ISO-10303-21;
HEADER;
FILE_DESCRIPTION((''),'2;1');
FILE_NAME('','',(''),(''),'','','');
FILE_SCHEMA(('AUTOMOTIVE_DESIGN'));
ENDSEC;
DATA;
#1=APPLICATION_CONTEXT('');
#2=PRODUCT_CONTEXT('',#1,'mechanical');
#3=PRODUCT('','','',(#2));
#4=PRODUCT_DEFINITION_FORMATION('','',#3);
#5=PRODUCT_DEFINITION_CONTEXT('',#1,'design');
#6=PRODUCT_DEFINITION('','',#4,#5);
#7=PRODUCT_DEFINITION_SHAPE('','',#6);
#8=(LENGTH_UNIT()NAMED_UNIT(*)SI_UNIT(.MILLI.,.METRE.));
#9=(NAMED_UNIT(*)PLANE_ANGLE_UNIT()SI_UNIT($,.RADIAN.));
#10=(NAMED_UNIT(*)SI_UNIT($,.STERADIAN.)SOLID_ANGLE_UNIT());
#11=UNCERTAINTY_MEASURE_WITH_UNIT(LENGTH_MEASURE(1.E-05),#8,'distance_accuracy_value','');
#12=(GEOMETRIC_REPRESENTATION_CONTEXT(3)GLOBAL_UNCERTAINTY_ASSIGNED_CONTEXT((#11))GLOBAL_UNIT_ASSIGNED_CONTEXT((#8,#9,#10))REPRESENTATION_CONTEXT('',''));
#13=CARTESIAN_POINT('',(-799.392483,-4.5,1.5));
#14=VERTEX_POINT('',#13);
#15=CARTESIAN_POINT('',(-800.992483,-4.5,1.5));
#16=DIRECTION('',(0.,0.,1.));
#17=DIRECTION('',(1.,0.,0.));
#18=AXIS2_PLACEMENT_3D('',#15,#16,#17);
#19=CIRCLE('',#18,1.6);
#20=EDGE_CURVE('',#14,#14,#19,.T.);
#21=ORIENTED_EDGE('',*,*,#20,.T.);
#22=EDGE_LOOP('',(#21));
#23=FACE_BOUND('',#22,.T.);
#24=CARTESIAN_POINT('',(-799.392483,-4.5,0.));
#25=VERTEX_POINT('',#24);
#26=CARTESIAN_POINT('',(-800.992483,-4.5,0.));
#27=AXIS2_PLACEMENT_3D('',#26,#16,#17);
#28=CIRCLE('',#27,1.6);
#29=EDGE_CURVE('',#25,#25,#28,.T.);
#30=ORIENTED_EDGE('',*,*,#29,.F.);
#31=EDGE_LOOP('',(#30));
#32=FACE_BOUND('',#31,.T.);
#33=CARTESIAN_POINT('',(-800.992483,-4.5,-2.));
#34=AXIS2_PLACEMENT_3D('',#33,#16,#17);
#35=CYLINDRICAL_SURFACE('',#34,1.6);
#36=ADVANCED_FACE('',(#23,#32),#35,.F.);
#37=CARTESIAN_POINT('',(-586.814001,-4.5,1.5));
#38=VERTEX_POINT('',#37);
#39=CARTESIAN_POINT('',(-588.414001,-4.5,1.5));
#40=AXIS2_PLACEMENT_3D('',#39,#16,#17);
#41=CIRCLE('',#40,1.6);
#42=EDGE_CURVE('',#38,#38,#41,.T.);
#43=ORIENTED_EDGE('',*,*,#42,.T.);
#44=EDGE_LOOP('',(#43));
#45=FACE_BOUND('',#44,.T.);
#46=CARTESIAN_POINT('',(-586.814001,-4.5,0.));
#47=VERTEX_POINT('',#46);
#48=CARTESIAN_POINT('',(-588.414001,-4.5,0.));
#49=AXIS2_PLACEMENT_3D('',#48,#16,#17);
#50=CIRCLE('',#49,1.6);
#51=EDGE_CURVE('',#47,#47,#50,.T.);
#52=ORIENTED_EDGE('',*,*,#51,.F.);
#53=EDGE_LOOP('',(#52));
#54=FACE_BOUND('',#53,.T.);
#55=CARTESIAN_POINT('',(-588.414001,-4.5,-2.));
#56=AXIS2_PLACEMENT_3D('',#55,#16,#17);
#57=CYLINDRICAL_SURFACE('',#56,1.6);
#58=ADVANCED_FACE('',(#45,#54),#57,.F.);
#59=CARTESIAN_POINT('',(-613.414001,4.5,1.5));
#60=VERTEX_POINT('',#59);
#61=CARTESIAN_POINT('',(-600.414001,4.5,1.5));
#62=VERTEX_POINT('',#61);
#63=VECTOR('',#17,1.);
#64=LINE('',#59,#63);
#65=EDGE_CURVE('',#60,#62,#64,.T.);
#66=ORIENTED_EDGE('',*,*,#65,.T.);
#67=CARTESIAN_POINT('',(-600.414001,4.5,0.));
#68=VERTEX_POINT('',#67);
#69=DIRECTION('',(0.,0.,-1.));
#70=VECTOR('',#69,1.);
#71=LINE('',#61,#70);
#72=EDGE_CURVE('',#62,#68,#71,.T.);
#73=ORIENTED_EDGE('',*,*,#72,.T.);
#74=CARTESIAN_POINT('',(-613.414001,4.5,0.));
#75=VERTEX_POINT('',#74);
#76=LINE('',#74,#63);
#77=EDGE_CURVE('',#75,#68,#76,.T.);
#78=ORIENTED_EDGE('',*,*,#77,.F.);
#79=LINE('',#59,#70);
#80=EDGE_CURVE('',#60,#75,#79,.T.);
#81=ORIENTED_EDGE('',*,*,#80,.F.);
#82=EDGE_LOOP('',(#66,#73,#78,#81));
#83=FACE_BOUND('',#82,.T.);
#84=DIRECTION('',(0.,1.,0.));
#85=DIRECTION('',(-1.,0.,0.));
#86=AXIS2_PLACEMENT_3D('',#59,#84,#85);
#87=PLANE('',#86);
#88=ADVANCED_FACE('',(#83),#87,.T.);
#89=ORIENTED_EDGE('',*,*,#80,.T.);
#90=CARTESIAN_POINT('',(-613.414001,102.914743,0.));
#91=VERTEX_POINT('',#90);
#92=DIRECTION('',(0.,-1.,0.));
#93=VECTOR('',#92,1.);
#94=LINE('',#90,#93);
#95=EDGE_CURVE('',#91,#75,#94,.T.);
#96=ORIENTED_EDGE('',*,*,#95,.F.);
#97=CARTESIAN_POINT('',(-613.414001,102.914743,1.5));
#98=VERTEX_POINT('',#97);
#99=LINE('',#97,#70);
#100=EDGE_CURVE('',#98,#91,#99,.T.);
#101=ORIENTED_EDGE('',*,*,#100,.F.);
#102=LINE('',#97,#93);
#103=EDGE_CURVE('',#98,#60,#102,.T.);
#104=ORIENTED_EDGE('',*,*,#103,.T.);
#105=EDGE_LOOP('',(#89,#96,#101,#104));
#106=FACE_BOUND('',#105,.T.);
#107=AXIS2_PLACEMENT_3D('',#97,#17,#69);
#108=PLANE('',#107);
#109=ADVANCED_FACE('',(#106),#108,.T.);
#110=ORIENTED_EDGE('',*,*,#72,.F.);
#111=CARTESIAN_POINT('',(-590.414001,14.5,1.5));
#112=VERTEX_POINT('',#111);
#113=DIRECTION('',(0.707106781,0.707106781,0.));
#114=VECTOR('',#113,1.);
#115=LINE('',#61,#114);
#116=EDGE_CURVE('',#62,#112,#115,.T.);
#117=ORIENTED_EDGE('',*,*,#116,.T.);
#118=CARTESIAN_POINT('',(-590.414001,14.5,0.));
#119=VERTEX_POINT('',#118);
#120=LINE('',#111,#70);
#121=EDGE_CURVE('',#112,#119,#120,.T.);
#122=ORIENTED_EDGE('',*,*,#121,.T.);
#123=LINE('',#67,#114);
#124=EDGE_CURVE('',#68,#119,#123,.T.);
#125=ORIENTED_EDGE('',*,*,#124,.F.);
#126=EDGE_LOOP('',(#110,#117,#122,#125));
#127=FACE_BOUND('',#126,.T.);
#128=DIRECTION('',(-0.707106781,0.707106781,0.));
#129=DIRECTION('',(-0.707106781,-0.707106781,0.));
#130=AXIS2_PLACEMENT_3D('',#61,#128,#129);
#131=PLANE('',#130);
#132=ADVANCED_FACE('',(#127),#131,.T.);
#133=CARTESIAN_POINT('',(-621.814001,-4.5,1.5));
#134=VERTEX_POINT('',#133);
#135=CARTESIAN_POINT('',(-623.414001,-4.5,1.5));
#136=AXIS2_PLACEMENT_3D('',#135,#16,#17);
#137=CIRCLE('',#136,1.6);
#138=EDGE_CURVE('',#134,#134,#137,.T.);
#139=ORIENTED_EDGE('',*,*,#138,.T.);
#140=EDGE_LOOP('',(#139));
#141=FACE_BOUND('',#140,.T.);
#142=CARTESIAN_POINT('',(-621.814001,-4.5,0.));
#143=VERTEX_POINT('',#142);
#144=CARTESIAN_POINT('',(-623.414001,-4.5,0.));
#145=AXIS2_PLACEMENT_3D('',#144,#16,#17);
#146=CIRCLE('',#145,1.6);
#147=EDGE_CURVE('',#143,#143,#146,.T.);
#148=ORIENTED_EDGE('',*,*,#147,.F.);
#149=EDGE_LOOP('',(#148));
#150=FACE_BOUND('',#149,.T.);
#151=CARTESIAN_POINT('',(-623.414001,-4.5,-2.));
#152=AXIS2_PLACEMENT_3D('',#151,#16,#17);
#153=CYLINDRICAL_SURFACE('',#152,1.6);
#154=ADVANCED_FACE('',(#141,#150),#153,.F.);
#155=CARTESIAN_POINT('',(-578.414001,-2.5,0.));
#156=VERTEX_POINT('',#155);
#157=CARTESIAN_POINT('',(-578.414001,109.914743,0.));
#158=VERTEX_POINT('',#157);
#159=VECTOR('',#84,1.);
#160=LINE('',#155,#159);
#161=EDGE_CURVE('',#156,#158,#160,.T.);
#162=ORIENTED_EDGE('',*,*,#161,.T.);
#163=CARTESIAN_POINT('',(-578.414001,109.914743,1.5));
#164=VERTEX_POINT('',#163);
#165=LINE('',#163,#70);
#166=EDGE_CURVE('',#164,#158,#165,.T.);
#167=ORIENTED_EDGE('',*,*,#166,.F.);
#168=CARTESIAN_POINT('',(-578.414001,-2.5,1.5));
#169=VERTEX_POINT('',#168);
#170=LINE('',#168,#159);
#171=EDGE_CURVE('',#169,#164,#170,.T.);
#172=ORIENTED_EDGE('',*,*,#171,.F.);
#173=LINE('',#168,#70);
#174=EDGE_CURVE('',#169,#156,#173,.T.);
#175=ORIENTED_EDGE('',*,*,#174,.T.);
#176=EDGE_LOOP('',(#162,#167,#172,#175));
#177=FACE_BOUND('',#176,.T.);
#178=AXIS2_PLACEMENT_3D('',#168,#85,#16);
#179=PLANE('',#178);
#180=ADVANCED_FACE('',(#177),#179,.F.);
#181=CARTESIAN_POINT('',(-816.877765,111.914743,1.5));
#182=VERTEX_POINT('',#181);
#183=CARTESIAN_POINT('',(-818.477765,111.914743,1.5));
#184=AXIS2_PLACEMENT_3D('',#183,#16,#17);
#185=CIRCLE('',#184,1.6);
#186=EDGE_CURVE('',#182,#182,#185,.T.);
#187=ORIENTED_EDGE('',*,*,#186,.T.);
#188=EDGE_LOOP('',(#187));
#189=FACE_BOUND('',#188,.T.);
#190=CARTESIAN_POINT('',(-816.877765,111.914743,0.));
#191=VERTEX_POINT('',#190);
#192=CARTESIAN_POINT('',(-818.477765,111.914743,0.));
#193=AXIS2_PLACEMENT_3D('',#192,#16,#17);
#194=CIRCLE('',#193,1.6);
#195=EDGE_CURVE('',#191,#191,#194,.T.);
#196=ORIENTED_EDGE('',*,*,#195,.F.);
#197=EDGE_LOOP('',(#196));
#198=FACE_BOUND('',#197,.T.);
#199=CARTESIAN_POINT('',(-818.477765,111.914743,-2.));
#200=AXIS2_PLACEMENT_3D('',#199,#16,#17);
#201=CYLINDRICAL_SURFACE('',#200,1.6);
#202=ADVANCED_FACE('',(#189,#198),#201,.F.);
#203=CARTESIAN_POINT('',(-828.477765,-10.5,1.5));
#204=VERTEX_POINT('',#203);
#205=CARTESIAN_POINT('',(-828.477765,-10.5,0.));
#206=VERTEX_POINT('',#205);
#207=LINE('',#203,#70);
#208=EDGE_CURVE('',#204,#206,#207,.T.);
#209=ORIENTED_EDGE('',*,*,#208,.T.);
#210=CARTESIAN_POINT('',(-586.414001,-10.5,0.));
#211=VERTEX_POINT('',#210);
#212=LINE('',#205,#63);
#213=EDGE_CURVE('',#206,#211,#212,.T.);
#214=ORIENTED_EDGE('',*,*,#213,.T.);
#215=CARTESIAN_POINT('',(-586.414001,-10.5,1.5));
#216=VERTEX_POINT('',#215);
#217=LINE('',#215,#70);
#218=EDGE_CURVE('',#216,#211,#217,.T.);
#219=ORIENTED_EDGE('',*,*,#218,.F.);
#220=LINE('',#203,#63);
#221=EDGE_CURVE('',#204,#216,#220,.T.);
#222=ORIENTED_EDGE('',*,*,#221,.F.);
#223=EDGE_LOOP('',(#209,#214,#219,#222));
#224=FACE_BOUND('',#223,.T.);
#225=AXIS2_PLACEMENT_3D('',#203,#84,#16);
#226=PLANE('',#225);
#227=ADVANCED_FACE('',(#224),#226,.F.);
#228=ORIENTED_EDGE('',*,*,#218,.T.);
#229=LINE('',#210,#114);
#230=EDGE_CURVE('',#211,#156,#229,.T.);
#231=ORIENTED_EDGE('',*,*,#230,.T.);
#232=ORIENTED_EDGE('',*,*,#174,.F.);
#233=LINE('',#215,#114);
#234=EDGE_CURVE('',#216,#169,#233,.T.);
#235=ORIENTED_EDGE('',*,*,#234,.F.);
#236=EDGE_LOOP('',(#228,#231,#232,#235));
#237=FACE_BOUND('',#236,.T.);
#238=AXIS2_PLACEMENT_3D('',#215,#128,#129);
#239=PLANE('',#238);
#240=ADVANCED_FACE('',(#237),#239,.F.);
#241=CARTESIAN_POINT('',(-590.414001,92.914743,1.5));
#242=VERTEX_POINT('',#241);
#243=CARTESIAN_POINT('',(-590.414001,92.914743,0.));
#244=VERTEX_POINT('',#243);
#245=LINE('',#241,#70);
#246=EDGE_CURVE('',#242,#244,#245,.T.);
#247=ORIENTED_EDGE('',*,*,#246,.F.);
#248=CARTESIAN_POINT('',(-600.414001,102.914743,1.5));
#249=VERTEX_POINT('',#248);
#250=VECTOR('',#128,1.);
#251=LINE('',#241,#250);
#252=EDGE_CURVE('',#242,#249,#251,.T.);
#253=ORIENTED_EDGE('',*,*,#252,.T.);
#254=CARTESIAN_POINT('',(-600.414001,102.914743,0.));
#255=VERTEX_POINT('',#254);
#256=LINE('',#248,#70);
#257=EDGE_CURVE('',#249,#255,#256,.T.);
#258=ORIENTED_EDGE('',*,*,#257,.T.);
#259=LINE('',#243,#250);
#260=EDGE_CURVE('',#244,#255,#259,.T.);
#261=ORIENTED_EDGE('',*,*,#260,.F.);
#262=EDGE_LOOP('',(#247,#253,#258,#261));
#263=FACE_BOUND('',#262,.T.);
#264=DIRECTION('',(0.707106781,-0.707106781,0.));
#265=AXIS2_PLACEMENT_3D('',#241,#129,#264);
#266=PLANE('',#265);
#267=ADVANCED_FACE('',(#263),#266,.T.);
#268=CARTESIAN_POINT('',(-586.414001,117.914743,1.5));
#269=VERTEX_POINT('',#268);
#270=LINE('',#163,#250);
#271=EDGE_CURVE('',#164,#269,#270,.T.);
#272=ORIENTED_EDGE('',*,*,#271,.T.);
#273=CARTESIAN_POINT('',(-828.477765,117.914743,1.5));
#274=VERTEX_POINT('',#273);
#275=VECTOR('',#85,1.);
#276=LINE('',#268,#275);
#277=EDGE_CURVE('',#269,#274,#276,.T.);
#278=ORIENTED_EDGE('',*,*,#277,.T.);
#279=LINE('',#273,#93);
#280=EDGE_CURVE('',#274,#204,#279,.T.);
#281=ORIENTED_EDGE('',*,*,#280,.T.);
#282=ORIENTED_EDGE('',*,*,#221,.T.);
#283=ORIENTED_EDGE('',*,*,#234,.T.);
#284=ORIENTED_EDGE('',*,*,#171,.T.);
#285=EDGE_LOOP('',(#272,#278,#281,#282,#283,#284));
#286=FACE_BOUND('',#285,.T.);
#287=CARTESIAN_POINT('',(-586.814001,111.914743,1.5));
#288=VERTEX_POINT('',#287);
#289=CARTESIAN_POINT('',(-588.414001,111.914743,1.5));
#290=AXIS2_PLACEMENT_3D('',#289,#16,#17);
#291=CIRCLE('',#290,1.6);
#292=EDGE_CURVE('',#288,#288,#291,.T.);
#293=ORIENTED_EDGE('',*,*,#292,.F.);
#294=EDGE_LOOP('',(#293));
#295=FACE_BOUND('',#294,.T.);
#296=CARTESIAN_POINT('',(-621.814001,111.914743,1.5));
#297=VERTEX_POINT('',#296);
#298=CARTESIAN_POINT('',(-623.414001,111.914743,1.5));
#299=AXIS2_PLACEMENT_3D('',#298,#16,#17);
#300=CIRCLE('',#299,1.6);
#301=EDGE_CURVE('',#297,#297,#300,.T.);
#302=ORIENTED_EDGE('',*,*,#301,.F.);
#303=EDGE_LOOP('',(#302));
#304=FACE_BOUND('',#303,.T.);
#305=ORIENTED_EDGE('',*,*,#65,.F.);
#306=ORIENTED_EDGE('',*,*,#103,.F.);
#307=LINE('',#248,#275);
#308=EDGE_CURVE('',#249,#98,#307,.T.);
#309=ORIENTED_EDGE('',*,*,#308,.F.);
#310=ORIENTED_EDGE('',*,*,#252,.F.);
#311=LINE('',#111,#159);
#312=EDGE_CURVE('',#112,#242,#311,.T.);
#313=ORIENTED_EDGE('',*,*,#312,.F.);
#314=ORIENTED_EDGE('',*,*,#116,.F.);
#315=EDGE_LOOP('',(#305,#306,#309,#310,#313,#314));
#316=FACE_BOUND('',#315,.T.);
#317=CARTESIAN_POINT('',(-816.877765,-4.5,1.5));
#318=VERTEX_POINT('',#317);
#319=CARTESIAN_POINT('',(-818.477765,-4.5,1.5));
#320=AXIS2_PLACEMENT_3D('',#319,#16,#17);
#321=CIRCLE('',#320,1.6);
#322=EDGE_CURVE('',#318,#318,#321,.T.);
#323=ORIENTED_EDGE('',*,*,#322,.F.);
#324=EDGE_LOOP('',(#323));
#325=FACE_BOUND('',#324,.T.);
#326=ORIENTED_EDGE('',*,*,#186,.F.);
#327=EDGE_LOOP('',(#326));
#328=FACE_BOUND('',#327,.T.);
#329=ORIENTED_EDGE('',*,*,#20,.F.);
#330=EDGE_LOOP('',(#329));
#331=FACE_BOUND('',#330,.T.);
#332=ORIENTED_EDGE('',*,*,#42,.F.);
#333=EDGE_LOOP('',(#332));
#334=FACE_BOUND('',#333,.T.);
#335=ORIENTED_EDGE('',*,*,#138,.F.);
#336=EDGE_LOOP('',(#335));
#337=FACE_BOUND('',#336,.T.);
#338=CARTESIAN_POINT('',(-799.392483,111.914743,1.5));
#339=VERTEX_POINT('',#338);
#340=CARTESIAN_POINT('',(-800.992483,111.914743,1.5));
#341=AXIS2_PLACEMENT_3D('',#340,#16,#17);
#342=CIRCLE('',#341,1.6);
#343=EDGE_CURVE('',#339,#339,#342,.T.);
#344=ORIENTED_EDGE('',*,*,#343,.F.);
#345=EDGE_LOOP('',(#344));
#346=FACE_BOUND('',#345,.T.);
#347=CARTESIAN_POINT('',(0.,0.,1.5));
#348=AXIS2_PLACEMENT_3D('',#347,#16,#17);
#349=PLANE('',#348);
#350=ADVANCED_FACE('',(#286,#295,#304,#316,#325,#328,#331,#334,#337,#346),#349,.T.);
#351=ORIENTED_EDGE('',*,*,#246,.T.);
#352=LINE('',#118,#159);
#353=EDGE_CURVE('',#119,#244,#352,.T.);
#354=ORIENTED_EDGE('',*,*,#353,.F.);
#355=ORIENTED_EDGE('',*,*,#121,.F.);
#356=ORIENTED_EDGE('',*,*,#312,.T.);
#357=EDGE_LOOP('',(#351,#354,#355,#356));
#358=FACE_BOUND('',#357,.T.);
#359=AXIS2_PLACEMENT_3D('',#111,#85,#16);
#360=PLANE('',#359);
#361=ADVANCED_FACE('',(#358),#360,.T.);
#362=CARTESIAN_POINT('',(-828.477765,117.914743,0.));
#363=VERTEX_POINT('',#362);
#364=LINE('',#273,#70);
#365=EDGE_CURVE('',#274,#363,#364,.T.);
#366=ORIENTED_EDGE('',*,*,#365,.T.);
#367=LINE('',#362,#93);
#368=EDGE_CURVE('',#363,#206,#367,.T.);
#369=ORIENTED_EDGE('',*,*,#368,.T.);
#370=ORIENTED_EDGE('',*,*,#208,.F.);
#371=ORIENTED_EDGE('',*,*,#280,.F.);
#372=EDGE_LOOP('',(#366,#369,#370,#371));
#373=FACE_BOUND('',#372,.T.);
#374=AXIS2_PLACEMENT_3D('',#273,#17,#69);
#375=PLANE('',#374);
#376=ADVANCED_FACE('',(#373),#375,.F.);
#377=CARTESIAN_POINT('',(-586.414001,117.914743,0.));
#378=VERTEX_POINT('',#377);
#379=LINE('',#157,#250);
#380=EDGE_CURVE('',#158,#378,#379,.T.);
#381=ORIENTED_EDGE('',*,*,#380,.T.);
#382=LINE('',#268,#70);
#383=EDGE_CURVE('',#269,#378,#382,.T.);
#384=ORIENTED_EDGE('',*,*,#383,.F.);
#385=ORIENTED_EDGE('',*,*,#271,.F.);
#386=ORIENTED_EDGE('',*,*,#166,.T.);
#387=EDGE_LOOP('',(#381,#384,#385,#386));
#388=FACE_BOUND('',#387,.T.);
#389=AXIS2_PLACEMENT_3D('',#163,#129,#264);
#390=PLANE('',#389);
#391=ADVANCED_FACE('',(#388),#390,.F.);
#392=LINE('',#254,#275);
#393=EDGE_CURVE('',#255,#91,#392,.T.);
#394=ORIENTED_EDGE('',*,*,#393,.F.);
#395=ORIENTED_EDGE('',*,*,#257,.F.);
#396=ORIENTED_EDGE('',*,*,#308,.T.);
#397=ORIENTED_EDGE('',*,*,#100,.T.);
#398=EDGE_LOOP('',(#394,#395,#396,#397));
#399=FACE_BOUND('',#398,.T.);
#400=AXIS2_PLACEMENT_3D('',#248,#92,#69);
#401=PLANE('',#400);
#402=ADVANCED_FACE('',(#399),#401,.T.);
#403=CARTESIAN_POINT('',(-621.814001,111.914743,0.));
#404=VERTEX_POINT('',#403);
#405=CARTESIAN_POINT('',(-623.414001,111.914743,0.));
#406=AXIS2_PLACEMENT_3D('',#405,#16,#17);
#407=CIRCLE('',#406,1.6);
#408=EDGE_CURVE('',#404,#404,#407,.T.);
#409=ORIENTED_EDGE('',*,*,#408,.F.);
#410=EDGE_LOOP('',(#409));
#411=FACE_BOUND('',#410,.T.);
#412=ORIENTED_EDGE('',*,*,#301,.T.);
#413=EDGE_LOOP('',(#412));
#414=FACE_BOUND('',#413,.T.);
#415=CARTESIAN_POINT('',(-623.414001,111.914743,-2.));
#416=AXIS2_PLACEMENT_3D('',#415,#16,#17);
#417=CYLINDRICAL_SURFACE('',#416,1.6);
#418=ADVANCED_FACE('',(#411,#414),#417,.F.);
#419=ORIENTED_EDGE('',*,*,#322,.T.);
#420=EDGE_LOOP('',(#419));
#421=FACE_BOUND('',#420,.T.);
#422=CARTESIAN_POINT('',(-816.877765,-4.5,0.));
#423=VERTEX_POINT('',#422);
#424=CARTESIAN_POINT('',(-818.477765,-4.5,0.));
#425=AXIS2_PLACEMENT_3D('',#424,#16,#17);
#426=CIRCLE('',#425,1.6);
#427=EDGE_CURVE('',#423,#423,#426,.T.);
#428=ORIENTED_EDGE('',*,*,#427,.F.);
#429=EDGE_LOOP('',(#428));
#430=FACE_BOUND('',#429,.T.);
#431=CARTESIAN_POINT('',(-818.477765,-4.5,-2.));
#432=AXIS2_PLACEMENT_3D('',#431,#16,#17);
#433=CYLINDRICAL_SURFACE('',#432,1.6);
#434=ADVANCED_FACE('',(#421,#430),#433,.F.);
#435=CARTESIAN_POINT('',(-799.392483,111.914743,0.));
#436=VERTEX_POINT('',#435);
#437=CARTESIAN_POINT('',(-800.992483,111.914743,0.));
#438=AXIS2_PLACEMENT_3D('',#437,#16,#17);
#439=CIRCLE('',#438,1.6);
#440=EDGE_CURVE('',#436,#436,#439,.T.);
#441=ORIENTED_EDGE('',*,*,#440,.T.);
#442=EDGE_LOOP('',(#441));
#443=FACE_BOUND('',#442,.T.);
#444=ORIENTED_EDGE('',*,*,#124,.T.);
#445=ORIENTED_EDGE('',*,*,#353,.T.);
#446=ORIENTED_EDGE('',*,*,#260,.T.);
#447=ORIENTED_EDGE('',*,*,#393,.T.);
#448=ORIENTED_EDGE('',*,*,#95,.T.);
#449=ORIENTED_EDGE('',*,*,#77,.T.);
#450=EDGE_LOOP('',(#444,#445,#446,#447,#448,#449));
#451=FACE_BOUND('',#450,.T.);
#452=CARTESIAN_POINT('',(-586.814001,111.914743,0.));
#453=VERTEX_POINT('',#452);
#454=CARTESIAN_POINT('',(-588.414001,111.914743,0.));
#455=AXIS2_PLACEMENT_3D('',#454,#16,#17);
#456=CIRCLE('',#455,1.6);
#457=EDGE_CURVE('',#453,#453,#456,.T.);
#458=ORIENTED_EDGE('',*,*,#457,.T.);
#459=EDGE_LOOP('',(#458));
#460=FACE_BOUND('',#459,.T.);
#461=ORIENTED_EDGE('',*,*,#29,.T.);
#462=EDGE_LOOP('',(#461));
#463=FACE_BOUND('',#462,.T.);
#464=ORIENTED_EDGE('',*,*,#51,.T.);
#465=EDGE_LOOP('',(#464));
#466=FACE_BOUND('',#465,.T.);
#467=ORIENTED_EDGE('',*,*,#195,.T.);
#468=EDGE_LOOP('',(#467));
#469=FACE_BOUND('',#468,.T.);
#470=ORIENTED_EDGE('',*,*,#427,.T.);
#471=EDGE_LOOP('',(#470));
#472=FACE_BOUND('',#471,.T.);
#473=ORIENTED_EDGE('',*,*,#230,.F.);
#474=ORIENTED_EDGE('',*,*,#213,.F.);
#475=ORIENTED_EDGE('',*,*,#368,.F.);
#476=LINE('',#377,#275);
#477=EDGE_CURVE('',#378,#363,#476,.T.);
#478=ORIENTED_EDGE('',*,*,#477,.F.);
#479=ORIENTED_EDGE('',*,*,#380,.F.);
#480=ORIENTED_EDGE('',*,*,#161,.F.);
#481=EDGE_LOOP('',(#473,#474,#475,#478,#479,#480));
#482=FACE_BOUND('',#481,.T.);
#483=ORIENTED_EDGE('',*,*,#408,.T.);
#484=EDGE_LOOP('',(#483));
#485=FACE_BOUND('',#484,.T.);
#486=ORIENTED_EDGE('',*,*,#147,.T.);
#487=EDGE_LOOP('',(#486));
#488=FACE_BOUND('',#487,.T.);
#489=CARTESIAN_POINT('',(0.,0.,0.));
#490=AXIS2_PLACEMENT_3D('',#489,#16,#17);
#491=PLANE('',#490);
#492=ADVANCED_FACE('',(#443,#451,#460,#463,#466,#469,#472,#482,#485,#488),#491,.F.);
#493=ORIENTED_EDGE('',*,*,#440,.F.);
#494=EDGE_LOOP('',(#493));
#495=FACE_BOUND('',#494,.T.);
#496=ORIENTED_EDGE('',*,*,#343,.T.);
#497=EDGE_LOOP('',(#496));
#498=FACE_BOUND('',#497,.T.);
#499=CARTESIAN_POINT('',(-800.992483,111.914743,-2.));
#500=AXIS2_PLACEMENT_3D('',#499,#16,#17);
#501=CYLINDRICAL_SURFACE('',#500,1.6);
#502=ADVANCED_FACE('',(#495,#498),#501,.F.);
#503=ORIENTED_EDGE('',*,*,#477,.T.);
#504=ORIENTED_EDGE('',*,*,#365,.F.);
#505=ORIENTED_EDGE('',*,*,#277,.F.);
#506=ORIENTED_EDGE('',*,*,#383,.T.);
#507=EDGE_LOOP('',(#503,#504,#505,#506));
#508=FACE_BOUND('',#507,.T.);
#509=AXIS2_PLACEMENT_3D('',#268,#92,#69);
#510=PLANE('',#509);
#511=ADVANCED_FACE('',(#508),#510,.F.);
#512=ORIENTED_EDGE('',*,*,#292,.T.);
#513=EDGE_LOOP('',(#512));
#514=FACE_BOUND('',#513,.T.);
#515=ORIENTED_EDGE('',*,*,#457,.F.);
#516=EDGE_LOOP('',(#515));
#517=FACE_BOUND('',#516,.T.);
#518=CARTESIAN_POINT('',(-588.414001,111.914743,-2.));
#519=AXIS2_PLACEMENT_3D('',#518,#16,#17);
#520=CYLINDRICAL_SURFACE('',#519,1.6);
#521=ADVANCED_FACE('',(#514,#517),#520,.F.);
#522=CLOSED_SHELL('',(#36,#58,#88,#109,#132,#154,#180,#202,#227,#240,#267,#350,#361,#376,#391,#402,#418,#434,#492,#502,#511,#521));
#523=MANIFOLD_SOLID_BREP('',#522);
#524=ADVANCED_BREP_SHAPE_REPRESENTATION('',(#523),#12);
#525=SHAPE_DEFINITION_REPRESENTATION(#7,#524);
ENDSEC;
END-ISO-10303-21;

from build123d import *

# Parameters (mm, degrees)
BOSS_EXTRUDE1_DEPTH = 1.5
SKETCH2_R           = 1.6
CUT_EXTRUDE1_DEPTH  = 3.5


with BuildPart() as part:
    # Sketch1 → Boss-Extrude1 (new body)
    with BuildSketch(Plane.XY):
        Polygon((-586.414001465, 117.914742868), (-828.47776474, 117.914742868), (-828.47776474, -10.5), (-586.414001465, -10.5), (-578.414001465, -2.5), (-578.414001465, 109.914742868), align=None)
        Polygon((-613.414001465, 4.5), (-600.414001465, 4.5), (-590.414001465, 14.5), (-590.414001465, 92.914742868), (-600.414001465, 102.914742868), (-613.414001465, 102.914742868), align=None, mode=Mode.SUBTRACT)
    extrude(amount=BOSS_EXTRUDE1_DEPTH)

    # Sketch2 → Cut-Extrude1 (cut)
    with BuildSketch(Plane.XY.offset(1.5)):
        with Locations((-818.47776474, -4.5)):
            Circle(SKETCH2_R)
        with Locations((-800.992483366, -4.5)):
            Circle(SKETCH2_R)
        with Locations((-623.414001465, -4.5)):
            Circle(SKETCH2_R)
        with Locations((-588.414001465, -4.5)):
            Circle(SKETCH2_R)
        with Locations((-623.414001465, 111.914742868)):
            Circle(SKETCH2_R)
        with Locations((-588.414001465, 111.914742868)):
            Circle(SKETCH2_R)
        with Locations((-818.47776474, 111.914742868)):
            Circle(SKETCH2_R)
        with Locations((-800.992483366, 111.914742868)):
            Circle(SKETCH2_R)
    extrude(amount=-CUT_EXTRUDE1_DEPTH, mode=Mode.SUBTRACT)


solid = part.part
